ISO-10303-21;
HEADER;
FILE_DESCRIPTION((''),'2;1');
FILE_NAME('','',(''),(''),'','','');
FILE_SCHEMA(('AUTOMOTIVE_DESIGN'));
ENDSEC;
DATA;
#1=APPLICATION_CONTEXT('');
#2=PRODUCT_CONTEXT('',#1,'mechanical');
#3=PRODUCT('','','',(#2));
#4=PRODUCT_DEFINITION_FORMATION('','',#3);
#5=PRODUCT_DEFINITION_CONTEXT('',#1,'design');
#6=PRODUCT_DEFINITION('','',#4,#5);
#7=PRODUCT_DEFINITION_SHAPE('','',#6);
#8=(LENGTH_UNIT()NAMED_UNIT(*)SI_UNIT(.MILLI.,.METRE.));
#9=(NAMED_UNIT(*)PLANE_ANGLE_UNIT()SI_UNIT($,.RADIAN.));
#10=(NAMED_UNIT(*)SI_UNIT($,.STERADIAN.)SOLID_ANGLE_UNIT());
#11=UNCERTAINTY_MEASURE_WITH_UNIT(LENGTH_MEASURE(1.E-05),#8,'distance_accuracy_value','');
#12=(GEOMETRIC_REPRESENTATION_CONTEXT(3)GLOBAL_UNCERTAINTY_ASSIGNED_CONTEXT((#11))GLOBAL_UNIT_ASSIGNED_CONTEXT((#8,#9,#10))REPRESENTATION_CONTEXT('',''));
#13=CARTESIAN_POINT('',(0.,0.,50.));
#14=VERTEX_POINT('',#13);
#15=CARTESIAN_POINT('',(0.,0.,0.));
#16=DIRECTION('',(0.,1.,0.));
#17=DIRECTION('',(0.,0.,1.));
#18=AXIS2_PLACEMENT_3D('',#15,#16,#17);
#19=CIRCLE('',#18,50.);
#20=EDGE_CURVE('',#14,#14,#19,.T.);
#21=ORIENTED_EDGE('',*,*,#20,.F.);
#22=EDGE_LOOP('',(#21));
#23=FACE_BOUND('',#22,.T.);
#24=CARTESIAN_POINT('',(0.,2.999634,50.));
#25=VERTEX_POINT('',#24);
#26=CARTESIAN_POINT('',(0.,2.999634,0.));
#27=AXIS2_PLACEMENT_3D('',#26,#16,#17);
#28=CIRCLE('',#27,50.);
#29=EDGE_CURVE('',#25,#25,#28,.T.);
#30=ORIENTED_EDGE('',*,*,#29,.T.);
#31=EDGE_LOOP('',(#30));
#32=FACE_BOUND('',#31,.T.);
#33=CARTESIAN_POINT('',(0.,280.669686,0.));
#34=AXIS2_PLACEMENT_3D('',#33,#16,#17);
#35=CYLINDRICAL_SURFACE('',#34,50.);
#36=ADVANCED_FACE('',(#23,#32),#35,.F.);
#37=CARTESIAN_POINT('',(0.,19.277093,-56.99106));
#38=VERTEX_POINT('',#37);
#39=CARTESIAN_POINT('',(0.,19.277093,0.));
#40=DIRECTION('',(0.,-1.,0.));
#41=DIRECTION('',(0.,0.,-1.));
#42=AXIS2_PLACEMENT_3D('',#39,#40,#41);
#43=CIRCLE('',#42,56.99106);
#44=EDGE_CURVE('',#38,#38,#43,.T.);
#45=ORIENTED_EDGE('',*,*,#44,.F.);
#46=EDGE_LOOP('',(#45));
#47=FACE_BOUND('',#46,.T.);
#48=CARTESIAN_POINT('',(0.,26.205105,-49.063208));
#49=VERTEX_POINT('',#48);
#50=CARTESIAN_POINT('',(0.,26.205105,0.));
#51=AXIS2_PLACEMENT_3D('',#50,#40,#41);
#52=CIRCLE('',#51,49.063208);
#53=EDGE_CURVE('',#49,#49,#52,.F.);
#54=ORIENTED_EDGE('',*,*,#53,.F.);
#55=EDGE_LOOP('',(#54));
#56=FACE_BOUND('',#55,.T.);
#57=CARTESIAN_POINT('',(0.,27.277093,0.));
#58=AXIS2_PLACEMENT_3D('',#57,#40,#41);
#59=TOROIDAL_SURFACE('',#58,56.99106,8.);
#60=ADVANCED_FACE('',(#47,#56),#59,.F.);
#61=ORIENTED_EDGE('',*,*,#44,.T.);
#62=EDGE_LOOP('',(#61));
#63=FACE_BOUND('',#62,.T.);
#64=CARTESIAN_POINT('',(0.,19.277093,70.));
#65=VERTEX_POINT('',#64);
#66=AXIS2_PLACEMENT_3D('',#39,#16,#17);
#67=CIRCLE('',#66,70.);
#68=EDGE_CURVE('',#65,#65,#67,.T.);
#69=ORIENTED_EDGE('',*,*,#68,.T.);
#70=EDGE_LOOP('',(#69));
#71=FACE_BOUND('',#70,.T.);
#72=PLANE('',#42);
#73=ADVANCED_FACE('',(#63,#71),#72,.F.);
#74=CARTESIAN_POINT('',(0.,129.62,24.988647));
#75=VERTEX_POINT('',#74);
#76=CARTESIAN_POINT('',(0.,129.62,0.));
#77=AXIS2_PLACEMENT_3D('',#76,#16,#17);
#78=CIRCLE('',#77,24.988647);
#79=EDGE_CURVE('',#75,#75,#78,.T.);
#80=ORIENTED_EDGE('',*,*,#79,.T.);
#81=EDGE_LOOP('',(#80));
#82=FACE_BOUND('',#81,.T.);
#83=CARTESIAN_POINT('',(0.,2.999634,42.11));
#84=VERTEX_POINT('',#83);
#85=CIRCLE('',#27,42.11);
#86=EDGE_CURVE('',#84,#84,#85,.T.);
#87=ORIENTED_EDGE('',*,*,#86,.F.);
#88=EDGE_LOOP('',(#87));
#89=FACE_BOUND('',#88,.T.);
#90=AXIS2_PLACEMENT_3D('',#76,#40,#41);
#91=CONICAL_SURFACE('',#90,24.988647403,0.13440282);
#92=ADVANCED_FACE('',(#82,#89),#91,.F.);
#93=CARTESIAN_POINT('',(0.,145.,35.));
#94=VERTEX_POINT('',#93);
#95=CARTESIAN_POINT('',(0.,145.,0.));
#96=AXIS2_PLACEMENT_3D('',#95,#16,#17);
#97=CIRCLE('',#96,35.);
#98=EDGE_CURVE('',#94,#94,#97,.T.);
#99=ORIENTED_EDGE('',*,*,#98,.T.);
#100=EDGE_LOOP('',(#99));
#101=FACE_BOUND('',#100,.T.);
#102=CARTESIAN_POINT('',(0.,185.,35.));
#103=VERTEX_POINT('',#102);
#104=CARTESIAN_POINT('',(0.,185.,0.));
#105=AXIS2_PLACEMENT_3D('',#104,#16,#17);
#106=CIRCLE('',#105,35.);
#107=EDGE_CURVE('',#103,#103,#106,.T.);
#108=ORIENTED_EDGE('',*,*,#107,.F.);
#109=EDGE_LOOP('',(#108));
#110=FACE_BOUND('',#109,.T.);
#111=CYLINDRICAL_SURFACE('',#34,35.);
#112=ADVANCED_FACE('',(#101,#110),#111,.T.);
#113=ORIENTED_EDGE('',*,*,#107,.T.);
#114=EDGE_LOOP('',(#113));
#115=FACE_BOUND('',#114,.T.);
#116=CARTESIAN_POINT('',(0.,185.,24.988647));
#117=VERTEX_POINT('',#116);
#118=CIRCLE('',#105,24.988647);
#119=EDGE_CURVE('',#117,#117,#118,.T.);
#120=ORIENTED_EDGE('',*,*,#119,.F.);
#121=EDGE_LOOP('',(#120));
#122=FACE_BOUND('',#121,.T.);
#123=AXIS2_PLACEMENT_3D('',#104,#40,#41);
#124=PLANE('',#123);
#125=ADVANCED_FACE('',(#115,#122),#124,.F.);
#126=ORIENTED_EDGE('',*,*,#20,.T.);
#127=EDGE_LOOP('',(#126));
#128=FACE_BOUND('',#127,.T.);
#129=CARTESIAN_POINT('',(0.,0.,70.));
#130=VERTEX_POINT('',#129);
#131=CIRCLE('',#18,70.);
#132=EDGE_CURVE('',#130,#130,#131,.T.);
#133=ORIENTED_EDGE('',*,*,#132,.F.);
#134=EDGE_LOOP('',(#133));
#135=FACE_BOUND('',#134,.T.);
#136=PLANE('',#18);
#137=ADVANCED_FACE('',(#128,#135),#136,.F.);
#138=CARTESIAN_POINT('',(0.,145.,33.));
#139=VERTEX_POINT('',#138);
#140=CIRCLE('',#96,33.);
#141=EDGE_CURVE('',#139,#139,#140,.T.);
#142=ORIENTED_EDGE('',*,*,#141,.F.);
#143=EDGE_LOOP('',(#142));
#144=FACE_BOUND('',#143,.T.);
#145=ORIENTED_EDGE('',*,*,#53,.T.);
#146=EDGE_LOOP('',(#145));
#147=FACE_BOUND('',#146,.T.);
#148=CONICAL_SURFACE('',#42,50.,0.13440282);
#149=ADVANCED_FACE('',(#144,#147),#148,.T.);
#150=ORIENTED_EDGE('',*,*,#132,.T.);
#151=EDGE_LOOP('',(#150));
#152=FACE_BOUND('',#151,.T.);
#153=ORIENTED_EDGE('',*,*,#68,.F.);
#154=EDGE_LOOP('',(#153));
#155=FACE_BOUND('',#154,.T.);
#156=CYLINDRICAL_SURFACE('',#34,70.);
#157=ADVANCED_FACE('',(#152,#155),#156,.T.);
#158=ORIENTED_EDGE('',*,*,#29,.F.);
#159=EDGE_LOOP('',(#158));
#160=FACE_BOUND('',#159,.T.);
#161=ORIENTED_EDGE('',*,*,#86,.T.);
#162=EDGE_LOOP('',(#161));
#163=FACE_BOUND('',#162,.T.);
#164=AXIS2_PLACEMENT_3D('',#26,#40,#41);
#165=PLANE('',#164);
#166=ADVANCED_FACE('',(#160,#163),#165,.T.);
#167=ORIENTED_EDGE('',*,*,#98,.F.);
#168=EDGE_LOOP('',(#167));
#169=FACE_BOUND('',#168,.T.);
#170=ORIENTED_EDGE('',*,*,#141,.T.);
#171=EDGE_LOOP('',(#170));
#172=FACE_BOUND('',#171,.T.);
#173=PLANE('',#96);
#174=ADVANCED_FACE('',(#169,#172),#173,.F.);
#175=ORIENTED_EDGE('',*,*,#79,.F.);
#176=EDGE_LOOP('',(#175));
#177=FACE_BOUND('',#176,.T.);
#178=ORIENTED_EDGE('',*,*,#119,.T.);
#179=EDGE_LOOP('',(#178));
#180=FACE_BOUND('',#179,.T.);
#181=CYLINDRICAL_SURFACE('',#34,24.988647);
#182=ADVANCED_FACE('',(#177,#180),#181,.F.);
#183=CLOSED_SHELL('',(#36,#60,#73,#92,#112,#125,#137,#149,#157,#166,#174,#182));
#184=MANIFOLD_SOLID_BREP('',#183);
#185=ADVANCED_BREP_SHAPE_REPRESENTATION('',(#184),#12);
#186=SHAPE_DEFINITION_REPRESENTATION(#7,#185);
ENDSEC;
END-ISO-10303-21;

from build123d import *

# Parameters (mm, degrees)
FILLET1_R = 8


with BuildPart() as part:
    # Sketch3 → Revolve1 (revolve)
    with BuildSketch(Plane.XY, mode=Mode.PRIVATE) as revolve1_sk:
        Polygon((50, 2.999634439), (50, 0), (70, 0), (70, 19.277093337), (50, 19.277093337), (33, 145), (35, 145), (35, 185), (24.988647403, 185), (24.988647403, 129.62), (42.11, 2.999634439), align=None)
    revolve(revolve1_sk.sketch.rotate(Axis((0, 280.66968572, 0), (0, -1, 0)), 90), axis=Axis((0, 280.66968572, 0), (0, -1, 0)))

    # Fillet1
    fillet1_edges = [part.edges().sort_by_distance(p)[0] for p in [
        (0, 19.277093337, -50),
    ]]
    fillet(fillet1_edges, radius=FILLET1_R)


solid = part.part
